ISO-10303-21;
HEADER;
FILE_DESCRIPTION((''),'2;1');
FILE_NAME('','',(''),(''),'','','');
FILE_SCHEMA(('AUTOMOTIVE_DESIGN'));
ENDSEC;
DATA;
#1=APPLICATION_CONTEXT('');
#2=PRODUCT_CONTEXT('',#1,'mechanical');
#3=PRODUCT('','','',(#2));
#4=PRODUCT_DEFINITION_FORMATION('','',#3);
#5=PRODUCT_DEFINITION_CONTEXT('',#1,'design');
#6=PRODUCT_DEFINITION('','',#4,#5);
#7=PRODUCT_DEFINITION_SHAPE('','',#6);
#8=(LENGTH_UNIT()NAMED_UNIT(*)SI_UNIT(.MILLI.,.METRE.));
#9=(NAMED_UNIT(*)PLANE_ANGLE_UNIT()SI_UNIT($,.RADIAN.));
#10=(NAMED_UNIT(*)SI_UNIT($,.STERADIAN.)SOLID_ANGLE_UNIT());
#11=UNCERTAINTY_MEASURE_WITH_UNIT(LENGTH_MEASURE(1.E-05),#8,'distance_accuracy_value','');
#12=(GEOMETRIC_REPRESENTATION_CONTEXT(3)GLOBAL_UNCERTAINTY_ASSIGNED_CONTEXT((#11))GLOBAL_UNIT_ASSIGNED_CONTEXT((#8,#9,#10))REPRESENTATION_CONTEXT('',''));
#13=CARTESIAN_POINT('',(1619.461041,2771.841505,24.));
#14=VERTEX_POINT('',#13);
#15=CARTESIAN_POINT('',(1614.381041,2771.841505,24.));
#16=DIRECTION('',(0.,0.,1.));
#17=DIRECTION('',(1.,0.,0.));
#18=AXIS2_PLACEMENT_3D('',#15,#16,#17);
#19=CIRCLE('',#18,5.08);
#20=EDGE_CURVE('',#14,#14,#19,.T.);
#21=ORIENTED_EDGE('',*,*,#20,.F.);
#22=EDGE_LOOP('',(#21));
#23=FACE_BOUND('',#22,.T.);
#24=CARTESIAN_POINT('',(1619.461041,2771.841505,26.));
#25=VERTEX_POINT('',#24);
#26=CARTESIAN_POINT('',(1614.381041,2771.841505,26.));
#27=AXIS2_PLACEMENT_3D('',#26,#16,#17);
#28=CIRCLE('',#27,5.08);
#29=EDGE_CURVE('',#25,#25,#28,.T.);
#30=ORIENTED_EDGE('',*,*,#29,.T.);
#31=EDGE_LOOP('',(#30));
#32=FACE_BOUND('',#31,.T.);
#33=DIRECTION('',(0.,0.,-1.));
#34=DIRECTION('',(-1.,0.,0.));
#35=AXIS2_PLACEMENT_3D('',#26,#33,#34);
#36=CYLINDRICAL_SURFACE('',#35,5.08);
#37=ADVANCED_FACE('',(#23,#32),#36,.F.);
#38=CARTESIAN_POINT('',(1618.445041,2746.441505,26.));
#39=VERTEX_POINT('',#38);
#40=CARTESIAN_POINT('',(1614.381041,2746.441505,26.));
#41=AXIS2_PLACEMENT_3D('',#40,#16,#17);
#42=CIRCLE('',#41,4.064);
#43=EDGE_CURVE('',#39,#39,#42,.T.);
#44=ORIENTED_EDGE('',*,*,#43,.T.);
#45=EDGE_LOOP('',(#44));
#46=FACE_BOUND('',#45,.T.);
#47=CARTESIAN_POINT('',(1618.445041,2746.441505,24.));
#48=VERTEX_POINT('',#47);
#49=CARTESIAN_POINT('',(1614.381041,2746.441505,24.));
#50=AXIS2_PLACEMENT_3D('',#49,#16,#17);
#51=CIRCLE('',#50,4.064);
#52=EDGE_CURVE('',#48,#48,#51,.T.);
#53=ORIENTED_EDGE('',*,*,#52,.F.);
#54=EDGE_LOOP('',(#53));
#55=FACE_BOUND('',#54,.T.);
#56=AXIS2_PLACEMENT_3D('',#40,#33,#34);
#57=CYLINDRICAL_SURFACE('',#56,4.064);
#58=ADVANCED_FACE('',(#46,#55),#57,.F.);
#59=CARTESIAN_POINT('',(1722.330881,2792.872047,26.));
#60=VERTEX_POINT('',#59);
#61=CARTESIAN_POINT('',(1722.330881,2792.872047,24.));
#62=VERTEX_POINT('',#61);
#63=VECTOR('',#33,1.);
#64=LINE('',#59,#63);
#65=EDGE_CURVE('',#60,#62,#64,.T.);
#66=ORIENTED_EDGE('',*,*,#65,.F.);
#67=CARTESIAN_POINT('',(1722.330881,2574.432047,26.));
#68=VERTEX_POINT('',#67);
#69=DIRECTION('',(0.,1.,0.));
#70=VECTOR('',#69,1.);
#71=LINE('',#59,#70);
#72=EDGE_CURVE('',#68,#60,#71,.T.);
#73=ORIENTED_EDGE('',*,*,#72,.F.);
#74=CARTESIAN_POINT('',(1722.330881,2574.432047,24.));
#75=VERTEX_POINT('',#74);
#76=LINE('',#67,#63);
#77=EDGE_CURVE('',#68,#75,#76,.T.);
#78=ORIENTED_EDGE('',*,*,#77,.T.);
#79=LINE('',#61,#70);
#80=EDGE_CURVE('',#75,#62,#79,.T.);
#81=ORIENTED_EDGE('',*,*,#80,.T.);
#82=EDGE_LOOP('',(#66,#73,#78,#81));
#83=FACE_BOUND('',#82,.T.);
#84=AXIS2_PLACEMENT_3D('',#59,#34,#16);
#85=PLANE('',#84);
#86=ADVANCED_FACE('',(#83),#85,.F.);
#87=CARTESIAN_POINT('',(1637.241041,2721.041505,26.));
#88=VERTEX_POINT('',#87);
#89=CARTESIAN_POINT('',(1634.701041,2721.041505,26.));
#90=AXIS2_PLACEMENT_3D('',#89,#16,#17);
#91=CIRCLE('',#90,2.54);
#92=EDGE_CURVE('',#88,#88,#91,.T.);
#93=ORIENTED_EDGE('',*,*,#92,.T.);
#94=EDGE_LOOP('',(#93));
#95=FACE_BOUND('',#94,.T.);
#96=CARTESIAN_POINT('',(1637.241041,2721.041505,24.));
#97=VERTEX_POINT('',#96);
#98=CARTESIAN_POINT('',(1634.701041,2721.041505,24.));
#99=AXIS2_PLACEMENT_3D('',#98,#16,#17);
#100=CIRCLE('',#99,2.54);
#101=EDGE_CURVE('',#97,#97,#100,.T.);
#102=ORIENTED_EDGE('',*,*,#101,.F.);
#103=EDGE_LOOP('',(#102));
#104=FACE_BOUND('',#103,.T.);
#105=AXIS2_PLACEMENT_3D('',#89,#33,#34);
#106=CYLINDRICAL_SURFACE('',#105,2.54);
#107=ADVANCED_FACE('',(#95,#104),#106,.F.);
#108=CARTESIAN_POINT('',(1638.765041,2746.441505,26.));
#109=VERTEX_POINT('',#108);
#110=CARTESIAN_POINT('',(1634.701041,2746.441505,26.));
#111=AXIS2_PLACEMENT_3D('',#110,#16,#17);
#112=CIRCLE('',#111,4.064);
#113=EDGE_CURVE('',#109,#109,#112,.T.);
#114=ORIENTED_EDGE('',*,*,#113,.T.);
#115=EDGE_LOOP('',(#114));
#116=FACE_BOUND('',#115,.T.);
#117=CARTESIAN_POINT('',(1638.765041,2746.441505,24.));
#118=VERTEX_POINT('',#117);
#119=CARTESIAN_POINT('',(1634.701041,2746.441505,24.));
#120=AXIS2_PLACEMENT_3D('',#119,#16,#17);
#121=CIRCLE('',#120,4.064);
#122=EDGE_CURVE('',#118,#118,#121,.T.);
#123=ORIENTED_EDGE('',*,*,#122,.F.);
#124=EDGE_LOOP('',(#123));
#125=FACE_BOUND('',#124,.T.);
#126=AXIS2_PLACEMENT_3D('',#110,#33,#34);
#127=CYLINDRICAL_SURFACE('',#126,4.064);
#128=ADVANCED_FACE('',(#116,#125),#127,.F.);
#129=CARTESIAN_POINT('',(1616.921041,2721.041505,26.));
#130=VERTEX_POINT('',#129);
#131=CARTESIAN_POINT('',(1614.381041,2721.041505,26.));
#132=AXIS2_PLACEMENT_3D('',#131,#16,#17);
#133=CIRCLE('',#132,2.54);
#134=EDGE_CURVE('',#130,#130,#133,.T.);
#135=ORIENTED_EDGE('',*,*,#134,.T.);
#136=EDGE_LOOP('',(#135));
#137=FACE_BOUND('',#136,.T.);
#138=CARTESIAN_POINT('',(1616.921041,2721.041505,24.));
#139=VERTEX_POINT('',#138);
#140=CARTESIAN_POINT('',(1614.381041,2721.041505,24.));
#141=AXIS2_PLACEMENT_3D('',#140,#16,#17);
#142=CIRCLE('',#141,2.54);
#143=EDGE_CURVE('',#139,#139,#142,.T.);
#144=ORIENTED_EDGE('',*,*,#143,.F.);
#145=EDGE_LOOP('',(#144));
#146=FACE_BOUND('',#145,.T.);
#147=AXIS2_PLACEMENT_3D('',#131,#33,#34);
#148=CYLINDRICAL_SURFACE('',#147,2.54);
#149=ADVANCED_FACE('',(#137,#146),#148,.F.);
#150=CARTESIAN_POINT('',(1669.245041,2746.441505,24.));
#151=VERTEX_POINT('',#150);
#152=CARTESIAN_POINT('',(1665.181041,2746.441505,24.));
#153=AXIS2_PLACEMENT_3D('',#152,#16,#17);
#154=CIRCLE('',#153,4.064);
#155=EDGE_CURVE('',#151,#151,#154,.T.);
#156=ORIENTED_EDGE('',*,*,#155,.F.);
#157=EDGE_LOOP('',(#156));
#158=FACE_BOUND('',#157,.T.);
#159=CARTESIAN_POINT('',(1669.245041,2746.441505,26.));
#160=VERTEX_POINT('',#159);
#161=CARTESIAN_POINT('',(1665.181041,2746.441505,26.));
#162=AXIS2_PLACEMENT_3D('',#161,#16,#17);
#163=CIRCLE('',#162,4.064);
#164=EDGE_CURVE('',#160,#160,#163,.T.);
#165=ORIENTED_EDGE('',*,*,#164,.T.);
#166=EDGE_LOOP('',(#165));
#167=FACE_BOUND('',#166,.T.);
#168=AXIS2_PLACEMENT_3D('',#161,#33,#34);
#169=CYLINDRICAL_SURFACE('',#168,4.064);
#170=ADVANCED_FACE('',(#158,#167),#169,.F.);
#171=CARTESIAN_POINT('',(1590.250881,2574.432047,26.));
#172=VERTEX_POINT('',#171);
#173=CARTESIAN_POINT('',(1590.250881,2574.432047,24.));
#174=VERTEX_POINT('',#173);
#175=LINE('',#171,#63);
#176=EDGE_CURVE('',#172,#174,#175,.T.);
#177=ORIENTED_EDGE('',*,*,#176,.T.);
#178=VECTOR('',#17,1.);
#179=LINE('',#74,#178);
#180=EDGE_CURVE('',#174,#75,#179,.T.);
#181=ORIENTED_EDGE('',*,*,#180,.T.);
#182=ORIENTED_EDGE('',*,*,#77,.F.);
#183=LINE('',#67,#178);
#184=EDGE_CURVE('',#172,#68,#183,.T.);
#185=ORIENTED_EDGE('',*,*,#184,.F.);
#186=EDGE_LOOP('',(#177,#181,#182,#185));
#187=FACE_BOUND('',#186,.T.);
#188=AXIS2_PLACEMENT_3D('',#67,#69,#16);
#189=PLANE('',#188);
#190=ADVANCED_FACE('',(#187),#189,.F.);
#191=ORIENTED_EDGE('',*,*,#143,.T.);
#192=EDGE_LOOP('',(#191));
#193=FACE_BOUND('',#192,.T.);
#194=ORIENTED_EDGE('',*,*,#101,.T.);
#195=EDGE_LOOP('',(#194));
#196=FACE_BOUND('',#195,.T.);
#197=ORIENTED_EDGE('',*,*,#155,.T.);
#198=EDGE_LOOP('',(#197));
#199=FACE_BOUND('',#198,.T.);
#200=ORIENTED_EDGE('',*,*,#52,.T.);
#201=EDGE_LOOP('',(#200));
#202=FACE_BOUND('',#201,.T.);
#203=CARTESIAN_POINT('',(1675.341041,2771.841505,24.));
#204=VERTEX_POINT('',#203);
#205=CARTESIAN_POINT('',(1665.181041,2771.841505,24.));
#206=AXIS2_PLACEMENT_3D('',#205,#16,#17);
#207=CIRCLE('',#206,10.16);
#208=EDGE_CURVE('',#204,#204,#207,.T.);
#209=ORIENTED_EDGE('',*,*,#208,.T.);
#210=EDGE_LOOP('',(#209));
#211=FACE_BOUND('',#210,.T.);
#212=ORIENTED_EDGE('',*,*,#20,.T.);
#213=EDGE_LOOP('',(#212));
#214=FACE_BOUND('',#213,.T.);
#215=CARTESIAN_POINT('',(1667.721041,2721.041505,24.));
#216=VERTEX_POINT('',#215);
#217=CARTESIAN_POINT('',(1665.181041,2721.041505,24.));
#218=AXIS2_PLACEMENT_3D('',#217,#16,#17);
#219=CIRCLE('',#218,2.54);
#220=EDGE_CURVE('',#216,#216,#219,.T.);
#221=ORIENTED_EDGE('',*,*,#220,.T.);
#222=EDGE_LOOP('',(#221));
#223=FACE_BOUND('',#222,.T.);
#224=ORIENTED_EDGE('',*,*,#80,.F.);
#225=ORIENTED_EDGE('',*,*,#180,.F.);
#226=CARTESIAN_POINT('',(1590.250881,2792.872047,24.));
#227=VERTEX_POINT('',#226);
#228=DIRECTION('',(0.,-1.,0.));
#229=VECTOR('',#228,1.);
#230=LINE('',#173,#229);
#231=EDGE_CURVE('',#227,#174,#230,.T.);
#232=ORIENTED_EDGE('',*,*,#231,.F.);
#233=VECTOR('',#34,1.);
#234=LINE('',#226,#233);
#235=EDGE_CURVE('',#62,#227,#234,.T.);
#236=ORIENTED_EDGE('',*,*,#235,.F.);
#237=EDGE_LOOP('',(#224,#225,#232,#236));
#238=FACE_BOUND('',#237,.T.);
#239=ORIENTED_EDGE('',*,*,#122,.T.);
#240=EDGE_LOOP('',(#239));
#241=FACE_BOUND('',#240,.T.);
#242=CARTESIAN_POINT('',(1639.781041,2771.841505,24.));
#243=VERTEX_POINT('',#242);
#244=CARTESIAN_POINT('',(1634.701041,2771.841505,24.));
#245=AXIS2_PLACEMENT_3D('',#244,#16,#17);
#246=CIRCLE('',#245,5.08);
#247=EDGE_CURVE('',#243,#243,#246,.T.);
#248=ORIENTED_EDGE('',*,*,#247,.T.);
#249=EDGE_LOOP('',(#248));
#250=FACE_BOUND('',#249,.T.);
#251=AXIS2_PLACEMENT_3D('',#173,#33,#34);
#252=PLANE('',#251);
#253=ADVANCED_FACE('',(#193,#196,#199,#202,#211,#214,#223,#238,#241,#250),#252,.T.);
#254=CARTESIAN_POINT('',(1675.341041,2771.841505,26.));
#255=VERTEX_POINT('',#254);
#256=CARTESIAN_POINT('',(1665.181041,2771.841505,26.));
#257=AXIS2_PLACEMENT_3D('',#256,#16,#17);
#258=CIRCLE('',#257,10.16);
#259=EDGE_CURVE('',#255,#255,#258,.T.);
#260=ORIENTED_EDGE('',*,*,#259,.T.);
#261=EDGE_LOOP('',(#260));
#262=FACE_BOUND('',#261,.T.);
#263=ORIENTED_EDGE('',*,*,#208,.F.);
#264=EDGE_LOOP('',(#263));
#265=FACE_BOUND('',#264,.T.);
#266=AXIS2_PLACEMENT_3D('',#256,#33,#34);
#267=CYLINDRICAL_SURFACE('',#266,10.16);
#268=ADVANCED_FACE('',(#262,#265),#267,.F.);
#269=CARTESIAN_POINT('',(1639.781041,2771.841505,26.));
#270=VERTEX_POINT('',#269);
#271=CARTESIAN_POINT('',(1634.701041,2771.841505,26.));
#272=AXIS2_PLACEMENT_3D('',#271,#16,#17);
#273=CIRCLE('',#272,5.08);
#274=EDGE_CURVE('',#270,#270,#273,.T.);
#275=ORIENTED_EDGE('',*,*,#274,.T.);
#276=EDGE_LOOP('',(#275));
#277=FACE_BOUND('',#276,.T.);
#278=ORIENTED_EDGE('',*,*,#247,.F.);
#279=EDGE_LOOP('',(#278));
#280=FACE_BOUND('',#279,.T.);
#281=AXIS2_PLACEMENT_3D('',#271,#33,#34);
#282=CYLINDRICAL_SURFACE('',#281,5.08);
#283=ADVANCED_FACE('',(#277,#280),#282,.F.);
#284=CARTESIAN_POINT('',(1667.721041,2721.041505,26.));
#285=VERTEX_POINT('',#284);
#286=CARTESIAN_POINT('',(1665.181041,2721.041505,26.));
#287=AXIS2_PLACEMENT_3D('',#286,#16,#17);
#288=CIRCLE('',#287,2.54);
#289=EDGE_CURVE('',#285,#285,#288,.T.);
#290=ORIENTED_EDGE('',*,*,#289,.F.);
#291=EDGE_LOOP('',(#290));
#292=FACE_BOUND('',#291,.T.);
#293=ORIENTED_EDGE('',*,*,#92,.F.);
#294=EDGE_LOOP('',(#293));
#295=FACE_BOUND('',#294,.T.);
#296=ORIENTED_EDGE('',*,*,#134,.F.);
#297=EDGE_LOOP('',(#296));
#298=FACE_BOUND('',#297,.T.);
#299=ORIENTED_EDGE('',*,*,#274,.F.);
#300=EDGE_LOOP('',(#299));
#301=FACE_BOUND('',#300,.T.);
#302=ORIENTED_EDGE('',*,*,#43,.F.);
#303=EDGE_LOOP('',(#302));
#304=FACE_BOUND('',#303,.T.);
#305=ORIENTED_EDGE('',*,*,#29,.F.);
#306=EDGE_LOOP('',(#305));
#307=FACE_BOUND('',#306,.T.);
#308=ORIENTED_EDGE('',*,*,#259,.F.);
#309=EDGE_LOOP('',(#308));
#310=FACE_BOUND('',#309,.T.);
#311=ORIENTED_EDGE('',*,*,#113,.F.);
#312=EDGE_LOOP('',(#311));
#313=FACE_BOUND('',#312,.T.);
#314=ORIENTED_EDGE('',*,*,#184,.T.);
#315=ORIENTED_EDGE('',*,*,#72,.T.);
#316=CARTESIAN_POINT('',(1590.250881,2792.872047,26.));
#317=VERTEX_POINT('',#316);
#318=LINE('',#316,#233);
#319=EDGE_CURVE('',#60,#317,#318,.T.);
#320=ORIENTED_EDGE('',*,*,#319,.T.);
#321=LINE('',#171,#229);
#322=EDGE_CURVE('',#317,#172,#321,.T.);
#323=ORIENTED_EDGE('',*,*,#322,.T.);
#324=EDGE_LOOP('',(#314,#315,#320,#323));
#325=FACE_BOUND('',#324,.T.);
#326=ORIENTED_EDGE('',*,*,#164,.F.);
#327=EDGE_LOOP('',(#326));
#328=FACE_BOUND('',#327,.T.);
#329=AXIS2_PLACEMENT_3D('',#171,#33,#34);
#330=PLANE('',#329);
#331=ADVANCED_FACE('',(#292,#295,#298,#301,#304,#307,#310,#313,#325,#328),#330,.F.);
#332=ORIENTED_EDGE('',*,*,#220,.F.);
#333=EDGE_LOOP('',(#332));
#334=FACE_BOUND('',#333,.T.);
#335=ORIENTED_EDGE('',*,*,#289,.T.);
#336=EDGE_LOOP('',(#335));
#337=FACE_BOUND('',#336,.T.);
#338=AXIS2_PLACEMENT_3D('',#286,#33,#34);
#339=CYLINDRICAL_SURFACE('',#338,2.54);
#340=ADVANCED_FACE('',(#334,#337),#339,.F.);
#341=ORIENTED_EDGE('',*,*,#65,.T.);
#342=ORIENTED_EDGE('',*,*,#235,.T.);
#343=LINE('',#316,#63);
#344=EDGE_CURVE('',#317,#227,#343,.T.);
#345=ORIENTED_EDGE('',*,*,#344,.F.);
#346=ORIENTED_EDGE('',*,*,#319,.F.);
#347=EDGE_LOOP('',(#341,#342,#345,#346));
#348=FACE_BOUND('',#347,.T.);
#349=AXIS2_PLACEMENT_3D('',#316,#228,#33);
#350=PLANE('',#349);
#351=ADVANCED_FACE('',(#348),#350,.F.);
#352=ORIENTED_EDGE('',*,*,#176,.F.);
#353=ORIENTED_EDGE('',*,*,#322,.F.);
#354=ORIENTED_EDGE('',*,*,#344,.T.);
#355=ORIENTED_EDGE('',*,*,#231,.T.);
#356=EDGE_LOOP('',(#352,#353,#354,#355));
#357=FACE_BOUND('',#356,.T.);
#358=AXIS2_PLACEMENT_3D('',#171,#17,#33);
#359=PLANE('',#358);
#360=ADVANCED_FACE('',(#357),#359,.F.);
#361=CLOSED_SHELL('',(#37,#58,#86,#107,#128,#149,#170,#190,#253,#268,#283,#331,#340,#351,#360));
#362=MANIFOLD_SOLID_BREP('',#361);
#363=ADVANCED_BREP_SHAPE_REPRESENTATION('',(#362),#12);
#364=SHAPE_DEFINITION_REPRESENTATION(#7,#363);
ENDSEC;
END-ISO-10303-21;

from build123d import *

# Parameters (mm, degrees)
SKETCH1_W           = 3302
SKETCH1_H           = 5461
SKETCH1_R           = 254
SKETCH1_R_2         = 127
SKETCH1_R_3         = 101.6
SKETCH1_R_4         = 63.5
BOSS_EXTRUDE1_DEPTH = 50
SCALE1_SCALE        = 0.04


with BuildPart() as part:
    # Sketch1 → Boss-Extrude1 (new body)
    with BuildSketch(Plane.XY):
        with Locations((1651, 2730.5)):
            Rectangle(SKETCH1_W, SKETCH1_H)
        with Locations((1873.2539878, 4935.236460216)):
            Circle(SKETCH1_R, mode=Mode.SUBTRACT)
        with Locations((603.2539878, 4935.236460216)):
            Circle(SKETCH1_R_2, mode=Mode.SUBTRACT)
        with Locations((603.2539878, 4300.236460216)):
            Circle(SKETCH1_R_3, mode=Mode.SUBTRACT)
        with Locations((603.2539878, 3665.236460216)):
            Circle(SKETCH1_R_4, mode=Mode.SUBTRACT)
        with Locations((1111.2539878, 4935.236460216)):
            Circle(SKETCH1_R_2, mode=Mode.SUBTRACT)
        with Locations((1111.2539878, 4300.236460216)):
            Circle(SKETCH1_R_3, mode=Mode.SUBTRACT)
        with Locations((1111.2539878, 3665.236460216)):
            Circle(SKETCH1_R_4, mode=Mode.SUBTRACT)
        with Locations((1873.2539878, 4300.236460216)):
            Circle(SKETCH1_R_3, mode=Mode.SUBTRACT)
        with Locations((1873.2539878, 3665.236460216)):
            Circle(SKETCH1_R_4, mode=Mode.SUBTRACT)
    extrude(amount=BOSS_EXTRUDE1_DEPTH)


with BuildPart() as part_1:
    # Scale1: scaled about (1656.511334765, 2681.700048918, 25)
    add(part.part.scale(SCALE1_SCALE).moved(Location((1590.250881374, 2574.432046961, 24))))


solid = part_1.part
